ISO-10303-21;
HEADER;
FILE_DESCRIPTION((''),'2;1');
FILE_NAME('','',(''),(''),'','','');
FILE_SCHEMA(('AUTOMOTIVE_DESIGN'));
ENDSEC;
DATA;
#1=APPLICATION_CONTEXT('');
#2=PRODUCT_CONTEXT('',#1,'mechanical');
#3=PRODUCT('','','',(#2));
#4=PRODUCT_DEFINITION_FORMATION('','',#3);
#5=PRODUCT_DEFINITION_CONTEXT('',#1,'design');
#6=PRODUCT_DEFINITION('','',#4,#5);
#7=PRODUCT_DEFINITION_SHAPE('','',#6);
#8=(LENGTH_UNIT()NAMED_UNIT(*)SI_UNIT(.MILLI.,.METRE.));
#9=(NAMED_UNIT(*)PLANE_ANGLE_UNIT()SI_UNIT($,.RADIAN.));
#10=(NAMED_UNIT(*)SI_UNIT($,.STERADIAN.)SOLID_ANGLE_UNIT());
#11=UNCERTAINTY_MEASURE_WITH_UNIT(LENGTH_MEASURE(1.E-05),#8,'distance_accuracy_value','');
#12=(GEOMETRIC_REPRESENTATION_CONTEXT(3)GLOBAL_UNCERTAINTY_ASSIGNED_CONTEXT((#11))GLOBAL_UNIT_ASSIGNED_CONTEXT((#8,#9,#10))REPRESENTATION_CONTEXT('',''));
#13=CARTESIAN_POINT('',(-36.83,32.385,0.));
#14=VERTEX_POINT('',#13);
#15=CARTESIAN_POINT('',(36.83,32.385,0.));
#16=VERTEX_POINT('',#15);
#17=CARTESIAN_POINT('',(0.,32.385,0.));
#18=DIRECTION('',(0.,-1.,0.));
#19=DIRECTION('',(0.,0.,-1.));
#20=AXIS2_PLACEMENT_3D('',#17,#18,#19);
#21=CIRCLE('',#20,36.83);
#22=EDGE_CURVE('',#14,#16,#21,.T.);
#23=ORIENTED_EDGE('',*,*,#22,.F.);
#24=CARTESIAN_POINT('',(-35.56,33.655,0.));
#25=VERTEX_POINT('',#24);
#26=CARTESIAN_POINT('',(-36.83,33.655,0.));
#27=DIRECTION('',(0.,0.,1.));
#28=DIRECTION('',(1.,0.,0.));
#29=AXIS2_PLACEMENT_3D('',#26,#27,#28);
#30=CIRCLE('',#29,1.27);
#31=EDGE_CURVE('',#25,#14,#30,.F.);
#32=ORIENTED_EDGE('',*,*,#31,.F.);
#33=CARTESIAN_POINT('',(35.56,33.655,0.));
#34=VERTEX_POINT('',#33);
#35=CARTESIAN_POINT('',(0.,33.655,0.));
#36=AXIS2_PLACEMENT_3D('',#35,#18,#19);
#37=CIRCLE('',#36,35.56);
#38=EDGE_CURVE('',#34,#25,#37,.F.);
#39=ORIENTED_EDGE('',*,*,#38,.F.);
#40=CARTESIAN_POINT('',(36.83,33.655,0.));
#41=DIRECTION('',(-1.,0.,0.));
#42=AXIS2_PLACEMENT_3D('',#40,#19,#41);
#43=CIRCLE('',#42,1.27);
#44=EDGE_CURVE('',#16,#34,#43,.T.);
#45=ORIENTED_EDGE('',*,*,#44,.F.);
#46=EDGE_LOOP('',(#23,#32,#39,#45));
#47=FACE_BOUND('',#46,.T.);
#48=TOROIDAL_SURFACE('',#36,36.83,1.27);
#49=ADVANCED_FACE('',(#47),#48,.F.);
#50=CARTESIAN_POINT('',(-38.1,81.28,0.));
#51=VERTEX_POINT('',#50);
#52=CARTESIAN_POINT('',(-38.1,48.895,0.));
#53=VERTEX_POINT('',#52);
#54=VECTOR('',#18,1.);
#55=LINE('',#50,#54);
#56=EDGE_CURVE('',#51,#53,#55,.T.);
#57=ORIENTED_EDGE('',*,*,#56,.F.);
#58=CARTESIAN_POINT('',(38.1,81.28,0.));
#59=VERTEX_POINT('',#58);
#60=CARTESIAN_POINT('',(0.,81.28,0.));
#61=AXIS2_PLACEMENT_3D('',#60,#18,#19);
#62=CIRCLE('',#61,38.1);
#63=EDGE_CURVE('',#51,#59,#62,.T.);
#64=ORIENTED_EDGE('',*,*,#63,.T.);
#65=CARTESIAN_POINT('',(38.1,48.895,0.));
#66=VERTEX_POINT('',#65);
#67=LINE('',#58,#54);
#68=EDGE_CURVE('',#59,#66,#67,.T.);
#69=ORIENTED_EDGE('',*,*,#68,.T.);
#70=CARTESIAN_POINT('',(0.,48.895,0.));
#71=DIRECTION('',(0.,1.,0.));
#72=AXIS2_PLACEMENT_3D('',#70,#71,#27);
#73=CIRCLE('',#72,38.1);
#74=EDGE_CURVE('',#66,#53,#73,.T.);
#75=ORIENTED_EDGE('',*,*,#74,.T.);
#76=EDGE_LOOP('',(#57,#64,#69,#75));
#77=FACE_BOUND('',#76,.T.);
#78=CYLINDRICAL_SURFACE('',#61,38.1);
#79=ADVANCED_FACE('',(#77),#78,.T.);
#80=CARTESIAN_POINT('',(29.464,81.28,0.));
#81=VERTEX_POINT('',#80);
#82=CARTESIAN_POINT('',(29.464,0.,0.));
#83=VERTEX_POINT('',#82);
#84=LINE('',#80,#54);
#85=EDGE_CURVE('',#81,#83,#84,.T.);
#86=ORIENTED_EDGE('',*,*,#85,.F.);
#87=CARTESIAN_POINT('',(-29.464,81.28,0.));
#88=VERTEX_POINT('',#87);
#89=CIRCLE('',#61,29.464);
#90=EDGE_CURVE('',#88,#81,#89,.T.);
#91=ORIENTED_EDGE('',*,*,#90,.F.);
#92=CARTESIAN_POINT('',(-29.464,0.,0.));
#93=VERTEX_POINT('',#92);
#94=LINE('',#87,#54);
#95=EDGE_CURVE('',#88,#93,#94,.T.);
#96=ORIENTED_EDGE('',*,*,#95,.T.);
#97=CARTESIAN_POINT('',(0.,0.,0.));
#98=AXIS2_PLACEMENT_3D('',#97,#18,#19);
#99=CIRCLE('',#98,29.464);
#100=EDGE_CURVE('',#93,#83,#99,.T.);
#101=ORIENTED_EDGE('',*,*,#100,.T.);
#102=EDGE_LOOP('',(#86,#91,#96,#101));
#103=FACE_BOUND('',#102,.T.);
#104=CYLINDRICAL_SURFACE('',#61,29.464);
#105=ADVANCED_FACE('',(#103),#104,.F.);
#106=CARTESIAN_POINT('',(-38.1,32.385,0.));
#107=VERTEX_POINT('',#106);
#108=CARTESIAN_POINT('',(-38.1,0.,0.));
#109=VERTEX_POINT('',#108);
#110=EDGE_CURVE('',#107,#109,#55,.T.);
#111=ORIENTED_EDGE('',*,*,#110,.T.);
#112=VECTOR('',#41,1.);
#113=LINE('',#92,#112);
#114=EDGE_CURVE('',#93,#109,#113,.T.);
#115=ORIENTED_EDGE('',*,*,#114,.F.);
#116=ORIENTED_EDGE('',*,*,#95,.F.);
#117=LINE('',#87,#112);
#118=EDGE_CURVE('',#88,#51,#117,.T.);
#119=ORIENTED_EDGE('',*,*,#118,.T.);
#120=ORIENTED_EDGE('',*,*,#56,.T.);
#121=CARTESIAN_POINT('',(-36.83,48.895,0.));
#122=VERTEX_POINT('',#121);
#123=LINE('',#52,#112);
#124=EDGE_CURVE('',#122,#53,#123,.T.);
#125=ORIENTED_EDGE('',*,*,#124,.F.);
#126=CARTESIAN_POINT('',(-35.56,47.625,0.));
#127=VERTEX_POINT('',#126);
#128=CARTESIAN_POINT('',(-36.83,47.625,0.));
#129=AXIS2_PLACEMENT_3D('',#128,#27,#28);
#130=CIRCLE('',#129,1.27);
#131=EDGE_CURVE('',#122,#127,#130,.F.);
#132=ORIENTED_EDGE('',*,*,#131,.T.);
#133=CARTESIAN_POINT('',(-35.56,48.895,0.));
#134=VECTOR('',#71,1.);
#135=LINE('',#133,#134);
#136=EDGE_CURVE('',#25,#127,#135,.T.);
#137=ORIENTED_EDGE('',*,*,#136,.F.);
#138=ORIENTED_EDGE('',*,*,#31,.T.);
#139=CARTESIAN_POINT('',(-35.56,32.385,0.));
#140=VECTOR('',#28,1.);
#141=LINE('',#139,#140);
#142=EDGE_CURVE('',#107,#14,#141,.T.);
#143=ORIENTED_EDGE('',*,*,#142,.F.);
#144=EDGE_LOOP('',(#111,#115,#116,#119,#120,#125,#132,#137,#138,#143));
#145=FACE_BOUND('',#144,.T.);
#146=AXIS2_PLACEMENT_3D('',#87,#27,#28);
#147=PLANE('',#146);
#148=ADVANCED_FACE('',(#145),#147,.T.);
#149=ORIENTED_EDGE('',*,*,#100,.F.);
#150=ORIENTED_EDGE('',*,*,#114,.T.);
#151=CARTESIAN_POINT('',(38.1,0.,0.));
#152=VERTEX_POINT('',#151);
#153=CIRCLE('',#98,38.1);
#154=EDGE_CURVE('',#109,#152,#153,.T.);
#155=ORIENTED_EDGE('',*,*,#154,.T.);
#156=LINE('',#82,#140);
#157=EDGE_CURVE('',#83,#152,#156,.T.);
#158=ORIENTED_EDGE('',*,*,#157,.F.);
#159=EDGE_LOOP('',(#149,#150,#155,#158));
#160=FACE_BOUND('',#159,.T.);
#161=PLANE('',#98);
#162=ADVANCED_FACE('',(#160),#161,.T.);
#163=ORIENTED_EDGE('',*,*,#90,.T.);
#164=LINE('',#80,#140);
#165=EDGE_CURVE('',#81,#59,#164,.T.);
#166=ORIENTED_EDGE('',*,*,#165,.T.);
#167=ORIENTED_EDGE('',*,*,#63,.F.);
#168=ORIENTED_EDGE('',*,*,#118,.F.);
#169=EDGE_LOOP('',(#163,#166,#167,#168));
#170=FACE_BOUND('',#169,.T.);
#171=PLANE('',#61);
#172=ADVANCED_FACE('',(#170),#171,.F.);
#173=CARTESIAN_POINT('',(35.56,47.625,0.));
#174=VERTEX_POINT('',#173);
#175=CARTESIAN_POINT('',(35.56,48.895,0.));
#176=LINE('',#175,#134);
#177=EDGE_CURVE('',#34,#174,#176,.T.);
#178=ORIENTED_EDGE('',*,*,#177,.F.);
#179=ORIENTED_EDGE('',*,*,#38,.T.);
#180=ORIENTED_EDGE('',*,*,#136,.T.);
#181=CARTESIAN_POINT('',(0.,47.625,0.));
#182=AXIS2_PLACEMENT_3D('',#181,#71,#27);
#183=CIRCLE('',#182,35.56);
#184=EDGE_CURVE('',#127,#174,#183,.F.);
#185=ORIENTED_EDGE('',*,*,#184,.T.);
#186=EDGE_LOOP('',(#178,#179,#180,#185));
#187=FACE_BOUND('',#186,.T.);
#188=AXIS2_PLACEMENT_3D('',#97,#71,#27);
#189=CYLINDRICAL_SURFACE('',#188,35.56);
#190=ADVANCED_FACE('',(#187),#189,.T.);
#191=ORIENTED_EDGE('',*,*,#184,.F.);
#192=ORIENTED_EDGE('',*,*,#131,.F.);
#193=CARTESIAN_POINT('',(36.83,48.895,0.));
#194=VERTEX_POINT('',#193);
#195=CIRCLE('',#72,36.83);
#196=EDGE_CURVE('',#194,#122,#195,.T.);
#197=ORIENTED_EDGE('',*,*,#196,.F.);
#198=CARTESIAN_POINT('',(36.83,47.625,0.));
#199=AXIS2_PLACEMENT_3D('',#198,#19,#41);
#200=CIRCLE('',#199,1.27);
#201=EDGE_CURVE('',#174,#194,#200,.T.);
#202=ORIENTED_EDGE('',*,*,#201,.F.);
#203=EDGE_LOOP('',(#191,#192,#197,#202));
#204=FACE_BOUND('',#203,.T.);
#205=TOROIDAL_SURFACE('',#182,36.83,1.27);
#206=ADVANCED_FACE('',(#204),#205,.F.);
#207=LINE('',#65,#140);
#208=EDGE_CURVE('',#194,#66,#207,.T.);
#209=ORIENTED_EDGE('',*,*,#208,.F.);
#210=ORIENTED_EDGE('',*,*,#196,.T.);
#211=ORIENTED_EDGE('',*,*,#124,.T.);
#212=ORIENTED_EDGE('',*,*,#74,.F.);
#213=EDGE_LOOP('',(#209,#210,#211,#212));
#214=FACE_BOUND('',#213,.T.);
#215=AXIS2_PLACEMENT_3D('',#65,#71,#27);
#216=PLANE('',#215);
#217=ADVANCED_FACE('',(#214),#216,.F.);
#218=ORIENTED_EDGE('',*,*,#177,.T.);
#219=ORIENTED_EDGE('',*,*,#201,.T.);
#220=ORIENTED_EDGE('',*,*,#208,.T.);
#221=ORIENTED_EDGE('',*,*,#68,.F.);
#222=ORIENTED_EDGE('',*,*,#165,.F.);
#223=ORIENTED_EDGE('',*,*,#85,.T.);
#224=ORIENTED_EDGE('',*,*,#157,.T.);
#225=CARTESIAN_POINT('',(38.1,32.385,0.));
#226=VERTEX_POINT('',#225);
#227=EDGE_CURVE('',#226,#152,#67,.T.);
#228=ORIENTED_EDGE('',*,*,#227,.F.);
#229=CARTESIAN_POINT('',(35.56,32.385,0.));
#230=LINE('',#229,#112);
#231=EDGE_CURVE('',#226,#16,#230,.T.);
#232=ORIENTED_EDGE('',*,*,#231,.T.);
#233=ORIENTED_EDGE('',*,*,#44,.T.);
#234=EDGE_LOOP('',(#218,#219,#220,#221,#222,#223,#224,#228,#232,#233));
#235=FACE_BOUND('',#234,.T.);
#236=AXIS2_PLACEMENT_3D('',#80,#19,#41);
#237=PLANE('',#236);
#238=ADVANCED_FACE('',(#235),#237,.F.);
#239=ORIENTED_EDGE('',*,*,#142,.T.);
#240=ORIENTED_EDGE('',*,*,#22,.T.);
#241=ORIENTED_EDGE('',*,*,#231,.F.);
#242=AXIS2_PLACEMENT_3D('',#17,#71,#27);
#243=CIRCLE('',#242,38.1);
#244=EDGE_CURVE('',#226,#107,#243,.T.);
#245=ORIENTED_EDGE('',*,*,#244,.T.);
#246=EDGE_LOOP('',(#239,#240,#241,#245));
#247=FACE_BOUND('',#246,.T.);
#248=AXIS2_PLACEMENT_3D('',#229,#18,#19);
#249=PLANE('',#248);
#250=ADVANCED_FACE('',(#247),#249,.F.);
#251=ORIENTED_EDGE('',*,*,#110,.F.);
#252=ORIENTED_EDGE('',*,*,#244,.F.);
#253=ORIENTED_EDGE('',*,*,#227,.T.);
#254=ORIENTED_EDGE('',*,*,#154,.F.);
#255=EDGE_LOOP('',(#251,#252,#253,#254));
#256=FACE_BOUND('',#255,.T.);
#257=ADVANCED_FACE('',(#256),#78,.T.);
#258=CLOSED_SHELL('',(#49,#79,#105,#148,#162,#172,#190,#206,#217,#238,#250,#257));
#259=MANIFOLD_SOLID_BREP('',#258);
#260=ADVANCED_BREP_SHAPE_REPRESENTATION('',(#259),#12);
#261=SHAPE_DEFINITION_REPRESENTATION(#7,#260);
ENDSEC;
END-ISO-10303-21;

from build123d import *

# Parameters (mm, degrees)
BOSS_EXTRUDE1_DEPTH = 81.28
SKETCH2_W           = 2.54
SKETCH2_H           = 16.51
CUT_REVOLVE1_ANGLE  = 180
FILLET1_R           = 1.27


with BuildPart() as part:
    # Sketch1 → Boss-Extrude1 (new body)
    with BuildSketch(Plane(origin=(0, 0, 0), x_dir=(1, 0, 0), z_dir=(0, 1, 0))):
        with BuildLine():
            Line((-29.464, 0), (-38.1, 0))
            ThreePointArc((-38.1, 0), (0, 38.1), (38.1, 0))
            Line((38.1, 0), (29.464, 0))
            ThreePointArc((29.464, 0), (0, 29.464), (-29.464, 0))
        make_face()
    extrude(amount=BOSS_EXTRUDE1_DEPTH)

    # Sketch2 → Cut-Revolve1 (revolve, cut)
    with BuildSketch(Plane.XY):
        with Locations((-36.83, 40.64)):
            Rectangle(SKETCH2_W, SKETCH2_H)
    revolve(axis=Axis((0, 0, 0), (0, -1, 0)), revolution_arc=CUT_REVOLVE1_ANGLE, mode=Mode.SUBTRACT)

    # Fillet1
    fillet1_edges = [part.edges().sort_by_distance(p)[0] for p in [
        (0, 48.895, -35.56),
        (0, 32.385, -35.56),
    ]]
    fillet(fillet1_edges, radius=FILLET1_R)


solid = part.part
